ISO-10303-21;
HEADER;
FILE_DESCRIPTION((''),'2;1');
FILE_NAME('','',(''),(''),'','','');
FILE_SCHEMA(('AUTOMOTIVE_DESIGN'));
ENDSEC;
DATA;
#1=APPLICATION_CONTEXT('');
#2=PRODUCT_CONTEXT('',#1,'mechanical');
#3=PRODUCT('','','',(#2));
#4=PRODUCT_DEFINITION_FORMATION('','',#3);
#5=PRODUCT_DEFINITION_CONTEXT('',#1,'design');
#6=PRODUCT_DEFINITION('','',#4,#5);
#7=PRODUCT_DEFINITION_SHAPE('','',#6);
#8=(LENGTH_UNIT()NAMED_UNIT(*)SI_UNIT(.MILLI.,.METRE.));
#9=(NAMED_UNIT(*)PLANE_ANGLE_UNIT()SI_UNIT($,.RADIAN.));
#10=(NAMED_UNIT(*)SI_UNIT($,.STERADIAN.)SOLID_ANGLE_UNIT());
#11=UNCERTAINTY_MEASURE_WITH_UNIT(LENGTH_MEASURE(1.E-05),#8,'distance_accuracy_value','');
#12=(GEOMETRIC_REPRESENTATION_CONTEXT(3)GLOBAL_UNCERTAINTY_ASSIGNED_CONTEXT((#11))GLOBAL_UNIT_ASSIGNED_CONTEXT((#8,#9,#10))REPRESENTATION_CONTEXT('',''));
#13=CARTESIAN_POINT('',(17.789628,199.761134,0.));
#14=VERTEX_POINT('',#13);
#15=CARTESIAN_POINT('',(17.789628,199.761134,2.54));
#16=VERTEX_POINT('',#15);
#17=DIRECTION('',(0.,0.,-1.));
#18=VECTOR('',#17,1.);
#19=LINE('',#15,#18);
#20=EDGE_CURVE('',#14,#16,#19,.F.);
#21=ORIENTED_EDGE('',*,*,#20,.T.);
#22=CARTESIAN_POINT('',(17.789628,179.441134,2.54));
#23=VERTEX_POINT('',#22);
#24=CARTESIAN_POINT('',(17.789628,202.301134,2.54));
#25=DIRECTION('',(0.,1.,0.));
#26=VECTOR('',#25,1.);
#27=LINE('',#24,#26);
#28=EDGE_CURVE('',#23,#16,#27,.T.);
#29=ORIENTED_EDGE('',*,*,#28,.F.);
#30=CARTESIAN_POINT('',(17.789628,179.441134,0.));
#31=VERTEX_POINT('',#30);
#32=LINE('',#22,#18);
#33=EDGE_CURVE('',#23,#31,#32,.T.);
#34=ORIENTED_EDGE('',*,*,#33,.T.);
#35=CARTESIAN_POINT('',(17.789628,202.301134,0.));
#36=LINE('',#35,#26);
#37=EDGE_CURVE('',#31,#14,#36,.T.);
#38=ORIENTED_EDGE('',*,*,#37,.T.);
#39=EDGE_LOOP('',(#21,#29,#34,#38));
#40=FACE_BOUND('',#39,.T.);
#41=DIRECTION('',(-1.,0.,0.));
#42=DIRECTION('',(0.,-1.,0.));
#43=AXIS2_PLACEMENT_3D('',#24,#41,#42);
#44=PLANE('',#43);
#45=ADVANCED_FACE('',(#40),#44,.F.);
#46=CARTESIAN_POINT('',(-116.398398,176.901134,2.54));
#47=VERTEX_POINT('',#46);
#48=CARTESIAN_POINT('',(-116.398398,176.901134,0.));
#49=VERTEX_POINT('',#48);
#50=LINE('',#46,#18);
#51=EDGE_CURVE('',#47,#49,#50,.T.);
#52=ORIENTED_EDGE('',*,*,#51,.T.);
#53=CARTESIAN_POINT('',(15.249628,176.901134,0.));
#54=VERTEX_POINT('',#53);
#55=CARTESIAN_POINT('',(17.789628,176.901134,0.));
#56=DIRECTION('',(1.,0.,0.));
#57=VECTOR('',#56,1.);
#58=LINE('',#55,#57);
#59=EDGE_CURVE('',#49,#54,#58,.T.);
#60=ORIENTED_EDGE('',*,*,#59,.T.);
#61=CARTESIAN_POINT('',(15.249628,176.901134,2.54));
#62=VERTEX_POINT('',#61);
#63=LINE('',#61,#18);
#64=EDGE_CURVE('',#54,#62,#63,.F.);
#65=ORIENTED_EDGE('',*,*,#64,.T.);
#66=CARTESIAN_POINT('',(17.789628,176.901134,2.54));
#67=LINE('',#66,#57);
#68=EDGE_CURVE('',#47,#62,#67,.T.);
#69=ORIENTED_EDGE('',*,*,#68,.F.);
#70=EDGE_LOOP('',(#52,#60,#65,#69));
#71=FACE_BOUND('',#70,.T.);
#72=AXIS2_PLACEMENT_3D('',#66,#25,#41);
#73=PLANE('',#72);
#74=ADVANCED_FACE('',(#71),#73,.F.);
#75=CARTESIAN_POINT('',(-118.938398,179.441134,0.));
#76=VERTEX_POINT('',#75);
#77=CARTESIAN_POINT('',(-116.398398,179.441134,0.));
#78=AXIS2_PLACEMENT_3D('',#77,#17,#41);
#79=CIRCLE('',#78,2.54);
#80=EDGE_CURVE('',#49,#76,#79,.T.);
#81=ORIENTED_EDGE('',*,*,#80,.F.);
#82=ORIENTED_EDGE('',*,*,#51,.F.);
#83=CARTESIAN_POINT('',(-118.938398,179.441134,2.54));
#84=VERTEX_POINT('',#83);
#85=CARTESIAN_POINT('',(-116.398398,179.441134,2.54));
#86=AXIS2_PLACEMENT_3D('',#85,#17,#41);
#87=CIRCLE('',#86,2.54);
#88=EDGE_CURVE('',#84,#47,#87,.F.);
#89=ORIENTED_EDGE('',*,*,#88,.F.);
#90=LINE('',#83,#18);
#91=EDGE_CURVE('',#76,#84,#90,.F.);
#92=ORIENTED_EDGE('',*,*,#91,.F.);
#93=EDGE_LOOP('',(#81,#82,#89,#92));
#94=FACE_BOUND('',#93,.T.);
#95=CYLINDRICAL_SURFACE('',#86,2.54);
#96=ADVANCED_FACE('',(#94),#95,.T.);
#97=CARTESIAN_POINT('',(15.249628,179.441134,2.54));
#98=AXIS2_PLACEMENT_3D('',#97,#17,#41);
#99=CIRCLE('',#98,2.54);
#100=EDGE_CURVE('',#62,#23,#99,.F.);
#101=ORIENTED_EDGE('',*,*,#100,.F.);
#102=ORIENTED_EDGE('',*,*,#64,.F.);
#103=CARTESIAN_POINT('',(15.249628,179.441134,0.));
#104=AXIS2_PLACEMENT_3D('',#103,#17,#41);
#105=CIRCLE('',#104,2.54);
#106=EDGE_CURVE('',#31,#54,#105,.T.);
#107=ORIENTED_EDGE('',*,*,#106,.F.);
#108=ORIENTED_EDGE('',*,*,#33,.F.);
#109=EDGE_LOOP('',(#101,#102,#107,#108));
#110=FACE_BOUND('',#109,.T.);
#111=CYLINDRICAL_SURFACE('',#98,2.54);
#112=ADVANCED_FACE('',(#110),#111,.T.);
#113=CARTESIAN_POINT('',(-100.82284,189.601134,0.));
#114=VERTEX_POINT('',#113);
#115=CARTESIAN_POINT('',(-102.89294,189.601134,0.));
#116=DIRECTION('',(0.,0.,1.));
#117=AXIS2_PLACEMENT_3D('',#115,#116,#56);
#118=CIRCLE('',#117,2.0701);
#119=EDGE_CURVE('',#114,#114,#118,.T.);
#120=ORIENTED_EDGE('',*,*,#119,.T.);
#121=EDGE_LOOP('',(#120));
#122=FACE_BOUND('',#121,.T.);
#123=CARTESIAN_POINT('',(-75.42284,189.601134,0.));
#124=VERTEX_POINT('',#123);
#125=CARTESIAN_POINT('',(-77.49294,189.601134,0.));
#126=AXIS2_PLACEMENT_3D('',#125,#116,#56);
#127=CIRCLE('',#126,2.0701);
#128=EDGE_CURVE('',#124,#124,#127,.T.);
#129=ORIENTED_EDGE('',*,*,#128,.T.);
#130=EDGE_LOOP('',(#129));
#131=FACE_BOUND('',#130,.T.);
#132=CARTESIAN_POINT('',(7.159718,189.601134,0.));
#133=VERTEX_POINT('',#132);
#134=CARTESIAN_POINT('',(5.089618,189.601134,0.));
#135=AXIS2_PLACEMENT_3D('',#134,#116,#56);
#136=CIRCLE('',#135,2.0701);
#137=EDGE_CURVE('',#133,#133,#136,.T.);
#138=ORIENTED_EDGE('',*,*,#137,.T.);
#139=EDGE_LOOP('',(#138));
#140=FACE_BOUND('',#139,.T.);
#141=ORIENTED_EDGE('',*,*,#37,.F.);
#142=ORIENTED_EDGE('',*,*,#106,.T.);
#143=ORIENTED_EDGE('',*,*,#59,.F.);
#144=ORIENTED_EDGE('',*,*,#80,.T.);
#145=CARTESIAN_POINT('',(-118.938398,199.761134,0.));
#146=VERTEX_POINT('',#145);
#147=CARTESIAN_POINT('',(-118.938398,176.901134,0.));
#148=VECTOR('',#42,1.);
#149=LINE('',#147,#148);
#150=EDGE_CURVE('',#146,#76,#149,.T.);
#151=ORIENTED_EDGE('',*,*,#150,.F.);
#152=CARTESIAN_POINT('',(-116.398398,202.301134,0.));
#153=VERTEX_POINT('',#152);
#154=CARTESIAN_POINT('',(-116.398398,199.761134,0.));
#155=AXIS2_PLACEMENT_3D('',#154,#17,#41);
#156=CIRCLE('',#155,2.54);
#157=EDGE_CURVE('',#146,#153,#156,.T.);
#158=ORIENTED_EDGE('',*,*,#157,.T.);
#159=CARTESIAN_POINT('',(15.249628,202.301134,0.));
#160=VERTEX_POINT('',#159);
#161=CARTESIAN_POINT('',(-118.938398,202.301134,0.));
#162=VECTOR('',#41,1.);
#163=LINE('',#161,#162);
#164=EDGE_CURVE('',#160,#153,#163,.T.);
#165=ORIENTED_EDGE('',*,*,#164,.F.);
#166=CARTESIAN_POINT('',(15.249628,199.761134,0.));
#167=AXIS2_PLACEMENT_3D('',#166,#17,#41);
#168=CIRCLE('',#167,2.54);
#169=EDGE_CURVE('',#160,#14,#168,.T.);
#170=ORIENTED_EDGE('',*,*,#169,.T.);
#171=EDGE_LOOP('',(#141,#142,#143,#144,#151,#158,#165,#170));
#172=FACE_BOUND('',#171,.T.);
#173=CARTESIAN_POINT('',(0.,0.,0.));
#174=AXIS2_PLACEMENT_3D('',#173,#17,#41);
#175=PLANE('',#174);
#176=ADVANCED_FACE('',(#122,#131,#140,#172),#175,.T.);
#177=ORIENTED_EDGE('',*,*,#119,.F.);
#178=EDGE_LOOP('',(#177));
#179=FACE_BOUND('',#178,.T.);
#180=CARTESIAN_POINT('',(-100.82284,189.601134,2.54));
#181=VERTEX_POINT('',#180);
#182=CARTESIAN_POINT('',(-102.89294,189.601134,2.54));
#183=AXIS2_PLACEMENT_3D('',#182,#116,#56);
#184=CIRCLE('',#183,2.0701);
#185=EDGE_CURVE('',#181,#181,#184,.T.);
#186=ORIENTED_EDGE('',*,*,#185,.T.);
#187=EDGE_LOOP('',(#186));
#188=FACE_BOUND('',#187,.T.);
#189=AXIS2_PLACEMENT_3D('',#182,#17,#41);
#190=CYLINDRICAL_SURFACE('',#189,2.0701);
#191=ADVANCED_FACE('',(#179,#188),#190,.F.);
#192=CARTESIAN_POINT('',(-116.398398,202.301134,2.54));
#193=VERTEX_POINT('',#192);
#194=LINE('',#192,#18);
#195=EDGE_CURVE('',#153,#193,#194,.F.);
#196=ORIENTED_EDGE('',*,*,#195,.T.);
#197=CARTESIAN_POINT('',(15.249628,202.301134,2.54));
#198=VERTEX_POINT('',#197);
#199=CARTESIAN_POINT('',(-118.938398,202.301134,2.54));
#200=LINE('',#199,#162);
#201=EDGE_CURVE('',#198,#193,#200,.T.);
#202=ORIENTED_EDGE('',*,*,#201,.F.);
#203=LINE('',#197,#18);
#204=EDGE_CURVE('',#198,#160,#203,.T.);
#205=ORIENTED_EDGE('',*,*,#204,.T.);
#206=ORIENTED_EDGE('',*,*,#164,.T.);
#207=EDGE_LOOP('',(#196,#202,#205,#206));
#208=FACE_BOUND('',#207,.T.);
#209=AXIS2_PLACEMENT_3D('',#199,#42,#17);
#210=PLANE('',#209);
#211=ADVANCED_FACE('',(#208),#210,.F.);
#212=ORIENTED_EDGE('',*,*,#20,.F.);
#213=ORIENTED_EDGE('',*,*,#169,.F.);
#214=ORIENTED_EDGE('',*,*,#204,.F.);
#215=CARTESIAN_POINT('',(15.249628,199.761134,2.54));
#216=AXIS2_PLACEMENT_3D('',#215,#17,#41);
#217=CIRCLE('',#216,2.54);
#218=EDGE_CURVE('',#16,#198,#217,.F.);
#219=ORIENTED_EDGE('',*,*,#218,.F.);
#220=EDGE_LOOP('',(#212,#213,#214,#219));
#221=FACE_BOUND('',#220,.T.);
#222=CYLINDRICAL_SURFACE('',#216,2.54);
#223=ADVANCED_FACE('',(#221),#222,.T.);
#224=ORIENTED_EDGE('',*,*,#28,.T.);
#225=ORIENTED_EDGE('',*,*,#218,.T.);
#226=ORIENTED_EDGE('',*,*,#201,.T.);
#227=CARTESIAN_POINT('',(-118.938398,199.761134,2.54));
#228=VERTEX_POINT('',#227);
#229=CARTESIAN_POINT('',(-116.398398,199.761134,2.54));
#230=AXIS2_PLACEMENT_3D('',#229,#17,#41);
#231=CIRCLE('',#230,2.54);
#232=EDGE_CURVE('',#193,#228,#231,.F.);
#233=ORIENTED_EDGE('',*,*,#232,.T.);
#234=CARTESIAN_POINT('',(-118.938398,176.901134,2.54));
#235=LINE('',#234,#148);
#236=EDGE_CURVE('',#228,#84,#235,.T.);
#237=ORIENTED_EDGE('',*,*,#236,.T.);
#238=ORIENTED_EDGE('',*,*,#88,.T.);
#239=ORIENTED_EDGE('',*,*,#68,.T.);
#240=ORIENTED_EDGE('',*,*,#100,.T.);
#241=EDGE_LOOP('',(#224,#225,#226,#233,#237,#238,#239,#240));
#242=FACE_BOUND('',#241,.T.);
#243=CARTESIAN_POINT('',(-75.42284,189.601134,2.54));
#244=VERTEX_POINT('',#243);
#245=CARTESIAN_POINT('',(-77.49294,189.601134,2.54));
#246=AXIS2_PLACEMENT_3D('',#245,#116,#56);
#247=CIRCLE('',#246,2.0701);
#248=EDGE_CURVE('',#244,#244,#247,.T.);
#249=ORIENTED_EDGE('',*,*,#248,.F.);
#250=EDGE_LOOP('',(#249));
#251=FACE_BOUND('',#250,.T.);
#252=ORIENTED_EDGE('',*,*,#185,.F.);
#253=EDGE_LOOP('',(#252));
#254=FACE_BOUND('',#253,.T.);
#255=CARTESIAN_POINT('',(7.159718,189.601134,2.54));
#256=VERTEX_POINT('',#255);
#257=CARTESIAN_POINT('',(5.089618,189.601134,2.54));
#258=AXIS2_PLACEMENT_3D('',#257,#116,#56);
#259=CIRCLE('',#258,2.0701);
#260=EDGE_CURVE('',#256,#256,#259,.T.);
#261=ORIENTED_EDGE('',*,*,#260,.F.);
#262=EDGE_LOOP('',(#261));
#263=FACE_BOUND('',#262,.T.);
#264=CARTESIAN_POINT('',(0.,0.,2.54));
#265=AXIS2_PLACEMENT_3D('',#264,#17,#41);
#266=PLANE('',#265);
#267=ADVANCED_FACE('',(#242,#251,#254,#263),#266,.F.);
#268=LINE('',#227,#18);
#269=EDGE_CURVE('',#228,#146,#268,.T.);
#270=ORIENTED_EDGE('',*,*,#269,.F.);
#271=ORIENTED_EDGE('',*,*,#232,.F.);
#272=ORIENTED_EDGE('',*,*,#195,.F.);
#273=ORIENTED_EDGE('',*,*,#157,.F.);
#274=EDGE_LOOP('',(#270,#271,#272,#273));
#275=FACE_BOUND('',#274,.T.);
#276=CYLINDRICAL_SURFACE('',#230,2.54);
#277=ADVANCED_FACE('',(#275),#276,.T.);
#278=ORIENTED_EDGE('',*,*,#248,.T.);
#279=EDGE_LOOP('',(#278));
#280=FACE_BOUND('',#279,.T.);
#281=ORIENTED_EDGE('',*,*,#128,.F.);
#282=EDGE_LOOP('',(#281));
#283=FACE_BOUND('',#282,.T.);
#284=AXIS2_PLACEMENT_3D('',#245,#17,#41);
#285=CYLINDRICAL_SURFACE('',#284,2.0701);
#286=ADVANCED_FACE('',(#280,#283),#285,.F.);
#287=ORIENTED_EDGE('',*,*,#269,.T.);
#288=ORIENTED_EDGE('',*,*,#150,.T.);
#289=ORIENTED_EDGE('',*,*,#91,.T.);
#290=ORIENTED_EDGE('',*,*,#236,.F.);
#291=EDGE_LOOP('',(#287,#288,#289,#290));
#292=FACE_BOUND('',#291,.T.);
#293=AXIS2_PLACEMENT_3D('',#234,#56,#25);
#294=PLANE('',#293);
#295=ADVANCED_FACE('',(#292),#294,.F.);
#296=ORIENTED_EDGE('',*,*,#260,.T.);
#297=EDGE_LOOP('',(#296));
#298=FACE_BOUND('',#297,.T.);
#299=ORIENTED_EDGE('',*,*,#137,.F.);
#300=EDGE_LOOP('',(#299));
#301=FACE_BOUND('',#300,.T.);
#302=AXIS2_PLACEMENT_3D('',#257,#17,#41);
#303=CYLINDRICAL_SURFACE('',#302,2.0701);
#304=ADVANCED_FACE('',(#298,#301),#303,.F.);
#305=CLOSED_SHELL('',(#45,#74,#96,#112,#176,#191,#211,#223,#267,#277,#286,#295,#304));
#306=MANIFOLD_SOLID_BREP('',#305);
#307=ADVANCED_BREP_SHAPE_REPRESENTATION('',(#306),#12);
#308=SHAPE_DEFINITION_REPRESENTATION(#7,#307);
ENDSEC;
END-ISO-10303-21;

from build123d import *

# Parameters (mm, degrees)
SKETCH1_W           = 136.728026614
SKETCH1_H           = 25.4
SKETCH1_R           = 2.0701
BOSS_EXTRUDE1_DEPTH = 2.54
FILLET1_R           = 2.54


with BuildPart() as part:
    # Sketch1 → Boss-Extrude1 (new body)
    with BuildSketch(Plane.XY):
        with Locations((-50.574385066, 189.601133889)):
            Rectangle(SKETCH1_W, SKETCH1_H)
        with Locations((5.089617917, 189.601133889)):
            Circle(SKETCH1_R, mode=Mode.SUBTRACT)
        with Locations((-77.492939904, 189.601134208)):
            Circle(SKETCH1_R, mode=Mode.SUBTRACT)
        with Locations((-102.892939904, 189.601134208)):
            Circle(SKETCH1_R, mode=Mode.SUBTRACT)
    extrude(amount=BOSS_EXTRUDE1_DEPTH)

    # Fillet1
    fillet1_edges = [part.edges().sort_by_distance(p)[0] for p in [
        (17.789628241, 202.301133889, 1.27),
        (17.789628241, 176.901133889, 1.27),
        (-118.938398373, 176.901133889, 1.27),
        (-118.938398373, 202.301133889, 1.27),
    ]]
    fillet(fillet1_edges, radius=FILLET1_R)


solid = part.part
